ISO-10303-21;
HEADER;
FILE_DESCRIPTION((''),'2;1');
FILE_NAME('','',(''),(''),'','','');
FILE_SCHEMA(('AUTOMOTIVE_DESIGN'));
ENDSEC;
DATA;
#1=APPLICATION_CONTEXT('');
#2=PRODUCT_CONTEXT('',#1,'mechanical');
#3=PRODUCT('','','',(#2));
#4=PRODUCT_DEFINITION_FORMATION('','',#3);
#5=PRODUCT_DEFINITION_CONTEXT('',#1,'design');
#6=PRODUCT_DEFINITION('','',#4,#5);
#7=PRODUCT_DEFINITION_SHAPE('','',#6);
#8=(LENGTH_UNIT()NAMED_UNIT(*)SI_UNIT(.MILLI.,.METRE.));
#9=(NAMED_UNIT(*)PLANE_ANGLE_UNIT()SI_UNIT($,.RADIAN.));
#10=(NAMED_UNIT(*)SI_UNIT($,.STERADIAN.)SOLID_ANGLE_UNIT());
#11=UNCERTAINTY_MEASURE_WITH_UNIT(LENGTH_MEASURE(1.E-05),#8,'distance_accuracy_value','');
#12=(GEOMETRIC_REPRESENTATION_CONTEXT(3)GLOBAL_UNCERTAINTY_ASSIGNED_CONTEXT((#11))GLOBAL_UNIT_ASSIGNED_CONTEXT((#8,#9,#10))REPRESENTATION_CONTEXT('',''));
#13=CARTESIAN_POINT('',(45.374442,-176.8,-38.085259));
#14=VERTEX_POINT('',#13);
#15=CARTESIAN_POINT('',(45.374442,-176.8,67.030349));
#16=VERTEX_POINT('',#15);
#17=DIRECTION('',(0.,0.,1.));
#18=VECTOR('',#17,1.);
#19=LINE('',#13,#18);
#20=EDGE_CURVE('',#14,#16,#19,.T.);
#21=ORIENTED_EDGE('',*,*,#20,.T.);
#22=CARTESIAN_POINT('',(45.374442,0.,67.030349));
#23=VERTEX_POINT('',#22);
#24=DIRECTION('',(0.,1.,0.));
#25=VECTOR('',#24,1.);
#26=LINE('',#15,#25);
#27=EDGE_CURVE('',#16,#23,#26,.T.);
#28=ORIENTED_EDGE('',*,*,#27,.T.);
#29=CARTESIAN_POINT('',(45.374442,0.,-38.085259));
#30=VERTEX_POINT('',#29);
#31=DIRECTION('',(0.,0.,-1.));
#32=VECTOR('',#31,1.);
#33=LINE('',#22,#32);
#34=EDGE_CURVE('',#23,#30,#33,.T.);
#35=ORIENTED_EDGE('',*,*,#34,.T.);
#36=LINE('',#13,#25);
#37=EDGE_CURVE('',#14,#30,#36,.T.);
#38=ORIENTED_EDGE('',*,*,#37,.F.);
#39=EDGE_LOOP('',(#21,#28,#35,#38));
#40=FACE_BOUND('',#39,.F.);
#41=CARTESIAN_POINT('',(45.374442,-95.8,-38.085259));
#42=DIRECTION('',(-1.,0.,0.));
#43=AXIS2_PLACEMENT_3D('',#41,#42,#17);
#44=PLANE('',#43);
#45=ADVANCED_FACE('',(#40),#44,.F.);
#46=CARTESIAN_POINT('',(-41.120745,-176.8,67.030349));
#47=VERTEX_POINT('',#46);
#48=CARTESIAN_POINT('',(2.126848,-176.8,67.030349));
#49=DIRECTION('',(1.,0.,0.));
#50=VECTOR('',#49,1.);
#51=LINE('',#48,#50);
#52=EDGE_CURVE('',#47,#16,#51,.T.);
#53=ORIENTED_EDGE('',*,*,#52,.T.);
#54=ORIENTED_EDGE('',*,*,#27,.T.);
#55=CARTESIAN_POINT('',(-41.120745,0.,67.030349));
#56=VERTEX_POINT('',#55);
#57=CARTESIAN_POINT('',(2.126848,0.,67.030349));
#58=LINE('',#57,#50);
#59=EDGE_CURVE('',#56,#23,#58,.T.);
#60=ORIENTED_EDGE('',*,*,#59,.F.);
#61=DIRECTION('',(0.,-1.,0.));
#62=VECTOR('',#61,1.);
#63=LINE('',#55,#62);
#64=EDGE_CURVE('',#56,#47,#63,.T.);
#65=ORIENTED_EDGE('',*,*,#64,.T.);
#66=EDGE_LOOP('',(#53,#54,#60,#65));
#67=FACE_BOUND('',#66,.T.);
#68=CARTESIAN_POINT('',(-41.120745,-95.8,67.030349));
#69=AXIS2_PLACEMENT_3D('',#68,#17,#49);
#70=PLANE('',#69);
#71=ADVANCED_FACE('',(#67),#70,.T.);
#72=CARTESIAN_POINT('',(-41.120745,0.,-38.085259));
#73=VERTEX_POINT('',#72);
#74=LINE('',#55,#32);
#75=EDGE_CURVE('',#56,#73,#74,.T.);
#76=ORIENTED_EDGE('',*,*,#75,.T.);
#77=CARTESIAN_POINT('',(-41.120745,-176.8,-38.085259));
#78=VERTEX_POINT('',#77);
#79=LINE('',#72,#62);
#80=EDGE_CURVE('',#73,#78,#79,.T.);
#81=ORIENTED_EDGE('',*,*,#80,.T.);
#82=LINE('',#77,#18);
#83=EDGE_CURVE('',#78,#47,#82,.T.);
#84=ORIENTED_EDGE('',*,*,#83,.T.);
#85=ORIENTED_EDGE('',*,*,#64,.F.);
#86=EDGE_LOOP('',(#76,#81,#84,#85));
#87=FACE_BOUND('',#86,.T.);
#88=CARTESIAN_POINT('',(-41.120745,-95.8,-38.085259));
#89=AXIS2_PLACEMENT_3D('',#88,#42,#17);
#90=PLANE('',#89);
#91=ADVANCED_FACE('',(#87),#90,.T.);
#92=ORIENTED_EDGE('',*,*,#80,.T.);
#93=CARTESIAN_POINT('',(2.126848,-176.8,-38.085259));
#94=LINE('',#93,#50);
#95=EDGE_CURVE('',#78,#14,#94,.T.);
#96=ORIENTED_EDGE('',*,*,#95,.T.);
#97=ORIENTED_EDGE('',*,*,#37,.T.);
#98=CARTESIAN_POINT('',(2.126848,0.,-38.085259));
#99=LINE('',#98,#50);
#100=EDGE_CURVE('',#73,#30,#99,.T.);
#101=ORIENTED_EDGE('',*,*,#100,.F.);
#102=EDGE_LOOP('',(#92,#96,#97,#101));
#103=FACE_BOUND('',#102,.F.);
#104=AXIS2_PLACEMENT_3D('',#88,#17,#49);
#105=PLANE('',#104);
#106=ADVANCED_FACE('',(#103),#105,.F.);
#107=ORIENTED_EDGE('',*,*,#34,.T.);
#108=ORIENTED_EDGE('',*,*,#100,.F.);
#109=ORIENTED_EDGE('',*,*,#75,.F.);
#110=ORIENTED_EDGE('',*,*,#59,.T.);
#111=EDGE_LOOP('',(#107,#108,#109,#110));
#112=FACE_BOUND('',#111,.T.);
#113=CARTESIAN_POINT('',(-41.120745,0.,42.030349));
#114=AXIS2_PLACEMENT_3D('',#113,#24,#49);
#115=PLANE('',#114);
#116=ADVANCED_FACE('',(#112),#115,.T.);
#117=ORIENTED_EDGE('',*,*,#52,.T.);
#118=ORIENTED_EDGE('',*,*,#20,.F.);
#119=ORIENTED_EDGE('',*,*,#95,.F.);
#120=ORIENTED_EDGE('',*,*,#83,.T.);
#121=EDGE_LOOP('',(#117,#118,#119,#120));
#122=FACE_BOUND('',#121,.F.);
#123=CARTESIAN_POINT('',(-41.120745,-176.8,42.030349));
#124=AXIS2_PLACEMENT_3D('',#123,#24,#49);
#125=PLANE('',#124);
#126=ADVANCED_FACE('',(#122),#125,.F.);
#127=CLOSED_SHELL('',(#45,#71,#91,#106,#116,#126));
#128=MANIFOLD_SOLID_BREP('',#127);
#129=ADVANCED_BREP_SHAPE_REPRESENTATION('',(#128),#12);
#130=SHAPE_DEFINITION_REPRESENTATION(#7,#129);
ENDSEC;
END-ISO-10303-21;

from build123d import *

# Parameters (mm, degrees)
F0_W     = 86.4951871336
F0_H     = 80.115608871
F1_DEPTH = 95.8
F2_DEPTH = 25
F3_DEPTH = 81


with BuildPart() as f1:
    # F0 (on Front) → F1 (new body)
    with BuildSketch(Plane.XZ):
        with Locations((2.1268483251, 1.9725449383)):
            Rectangle(F0_W, F0_H)
    extrude(amount=F1_DEPTH)

    # F2 (add): a face of the model
    f2_faces = [f1.faces().sort_by_distance(p)[0] for p in [
        (2.1268483251, -47.9, 42.0303493738),
    ]]
    extrude(f2_faces, amount=F2_DEPTH)

    # F3 (add): a face of the model
    f3_faces = [f1.faces().sort_by_distance(p)[0] for p in [
        (2.1268483251, -95.8, 14.4725449383),
    ]]
    extrude(f3_faces, amount=F3_DEPTH)


solid = f1.part
